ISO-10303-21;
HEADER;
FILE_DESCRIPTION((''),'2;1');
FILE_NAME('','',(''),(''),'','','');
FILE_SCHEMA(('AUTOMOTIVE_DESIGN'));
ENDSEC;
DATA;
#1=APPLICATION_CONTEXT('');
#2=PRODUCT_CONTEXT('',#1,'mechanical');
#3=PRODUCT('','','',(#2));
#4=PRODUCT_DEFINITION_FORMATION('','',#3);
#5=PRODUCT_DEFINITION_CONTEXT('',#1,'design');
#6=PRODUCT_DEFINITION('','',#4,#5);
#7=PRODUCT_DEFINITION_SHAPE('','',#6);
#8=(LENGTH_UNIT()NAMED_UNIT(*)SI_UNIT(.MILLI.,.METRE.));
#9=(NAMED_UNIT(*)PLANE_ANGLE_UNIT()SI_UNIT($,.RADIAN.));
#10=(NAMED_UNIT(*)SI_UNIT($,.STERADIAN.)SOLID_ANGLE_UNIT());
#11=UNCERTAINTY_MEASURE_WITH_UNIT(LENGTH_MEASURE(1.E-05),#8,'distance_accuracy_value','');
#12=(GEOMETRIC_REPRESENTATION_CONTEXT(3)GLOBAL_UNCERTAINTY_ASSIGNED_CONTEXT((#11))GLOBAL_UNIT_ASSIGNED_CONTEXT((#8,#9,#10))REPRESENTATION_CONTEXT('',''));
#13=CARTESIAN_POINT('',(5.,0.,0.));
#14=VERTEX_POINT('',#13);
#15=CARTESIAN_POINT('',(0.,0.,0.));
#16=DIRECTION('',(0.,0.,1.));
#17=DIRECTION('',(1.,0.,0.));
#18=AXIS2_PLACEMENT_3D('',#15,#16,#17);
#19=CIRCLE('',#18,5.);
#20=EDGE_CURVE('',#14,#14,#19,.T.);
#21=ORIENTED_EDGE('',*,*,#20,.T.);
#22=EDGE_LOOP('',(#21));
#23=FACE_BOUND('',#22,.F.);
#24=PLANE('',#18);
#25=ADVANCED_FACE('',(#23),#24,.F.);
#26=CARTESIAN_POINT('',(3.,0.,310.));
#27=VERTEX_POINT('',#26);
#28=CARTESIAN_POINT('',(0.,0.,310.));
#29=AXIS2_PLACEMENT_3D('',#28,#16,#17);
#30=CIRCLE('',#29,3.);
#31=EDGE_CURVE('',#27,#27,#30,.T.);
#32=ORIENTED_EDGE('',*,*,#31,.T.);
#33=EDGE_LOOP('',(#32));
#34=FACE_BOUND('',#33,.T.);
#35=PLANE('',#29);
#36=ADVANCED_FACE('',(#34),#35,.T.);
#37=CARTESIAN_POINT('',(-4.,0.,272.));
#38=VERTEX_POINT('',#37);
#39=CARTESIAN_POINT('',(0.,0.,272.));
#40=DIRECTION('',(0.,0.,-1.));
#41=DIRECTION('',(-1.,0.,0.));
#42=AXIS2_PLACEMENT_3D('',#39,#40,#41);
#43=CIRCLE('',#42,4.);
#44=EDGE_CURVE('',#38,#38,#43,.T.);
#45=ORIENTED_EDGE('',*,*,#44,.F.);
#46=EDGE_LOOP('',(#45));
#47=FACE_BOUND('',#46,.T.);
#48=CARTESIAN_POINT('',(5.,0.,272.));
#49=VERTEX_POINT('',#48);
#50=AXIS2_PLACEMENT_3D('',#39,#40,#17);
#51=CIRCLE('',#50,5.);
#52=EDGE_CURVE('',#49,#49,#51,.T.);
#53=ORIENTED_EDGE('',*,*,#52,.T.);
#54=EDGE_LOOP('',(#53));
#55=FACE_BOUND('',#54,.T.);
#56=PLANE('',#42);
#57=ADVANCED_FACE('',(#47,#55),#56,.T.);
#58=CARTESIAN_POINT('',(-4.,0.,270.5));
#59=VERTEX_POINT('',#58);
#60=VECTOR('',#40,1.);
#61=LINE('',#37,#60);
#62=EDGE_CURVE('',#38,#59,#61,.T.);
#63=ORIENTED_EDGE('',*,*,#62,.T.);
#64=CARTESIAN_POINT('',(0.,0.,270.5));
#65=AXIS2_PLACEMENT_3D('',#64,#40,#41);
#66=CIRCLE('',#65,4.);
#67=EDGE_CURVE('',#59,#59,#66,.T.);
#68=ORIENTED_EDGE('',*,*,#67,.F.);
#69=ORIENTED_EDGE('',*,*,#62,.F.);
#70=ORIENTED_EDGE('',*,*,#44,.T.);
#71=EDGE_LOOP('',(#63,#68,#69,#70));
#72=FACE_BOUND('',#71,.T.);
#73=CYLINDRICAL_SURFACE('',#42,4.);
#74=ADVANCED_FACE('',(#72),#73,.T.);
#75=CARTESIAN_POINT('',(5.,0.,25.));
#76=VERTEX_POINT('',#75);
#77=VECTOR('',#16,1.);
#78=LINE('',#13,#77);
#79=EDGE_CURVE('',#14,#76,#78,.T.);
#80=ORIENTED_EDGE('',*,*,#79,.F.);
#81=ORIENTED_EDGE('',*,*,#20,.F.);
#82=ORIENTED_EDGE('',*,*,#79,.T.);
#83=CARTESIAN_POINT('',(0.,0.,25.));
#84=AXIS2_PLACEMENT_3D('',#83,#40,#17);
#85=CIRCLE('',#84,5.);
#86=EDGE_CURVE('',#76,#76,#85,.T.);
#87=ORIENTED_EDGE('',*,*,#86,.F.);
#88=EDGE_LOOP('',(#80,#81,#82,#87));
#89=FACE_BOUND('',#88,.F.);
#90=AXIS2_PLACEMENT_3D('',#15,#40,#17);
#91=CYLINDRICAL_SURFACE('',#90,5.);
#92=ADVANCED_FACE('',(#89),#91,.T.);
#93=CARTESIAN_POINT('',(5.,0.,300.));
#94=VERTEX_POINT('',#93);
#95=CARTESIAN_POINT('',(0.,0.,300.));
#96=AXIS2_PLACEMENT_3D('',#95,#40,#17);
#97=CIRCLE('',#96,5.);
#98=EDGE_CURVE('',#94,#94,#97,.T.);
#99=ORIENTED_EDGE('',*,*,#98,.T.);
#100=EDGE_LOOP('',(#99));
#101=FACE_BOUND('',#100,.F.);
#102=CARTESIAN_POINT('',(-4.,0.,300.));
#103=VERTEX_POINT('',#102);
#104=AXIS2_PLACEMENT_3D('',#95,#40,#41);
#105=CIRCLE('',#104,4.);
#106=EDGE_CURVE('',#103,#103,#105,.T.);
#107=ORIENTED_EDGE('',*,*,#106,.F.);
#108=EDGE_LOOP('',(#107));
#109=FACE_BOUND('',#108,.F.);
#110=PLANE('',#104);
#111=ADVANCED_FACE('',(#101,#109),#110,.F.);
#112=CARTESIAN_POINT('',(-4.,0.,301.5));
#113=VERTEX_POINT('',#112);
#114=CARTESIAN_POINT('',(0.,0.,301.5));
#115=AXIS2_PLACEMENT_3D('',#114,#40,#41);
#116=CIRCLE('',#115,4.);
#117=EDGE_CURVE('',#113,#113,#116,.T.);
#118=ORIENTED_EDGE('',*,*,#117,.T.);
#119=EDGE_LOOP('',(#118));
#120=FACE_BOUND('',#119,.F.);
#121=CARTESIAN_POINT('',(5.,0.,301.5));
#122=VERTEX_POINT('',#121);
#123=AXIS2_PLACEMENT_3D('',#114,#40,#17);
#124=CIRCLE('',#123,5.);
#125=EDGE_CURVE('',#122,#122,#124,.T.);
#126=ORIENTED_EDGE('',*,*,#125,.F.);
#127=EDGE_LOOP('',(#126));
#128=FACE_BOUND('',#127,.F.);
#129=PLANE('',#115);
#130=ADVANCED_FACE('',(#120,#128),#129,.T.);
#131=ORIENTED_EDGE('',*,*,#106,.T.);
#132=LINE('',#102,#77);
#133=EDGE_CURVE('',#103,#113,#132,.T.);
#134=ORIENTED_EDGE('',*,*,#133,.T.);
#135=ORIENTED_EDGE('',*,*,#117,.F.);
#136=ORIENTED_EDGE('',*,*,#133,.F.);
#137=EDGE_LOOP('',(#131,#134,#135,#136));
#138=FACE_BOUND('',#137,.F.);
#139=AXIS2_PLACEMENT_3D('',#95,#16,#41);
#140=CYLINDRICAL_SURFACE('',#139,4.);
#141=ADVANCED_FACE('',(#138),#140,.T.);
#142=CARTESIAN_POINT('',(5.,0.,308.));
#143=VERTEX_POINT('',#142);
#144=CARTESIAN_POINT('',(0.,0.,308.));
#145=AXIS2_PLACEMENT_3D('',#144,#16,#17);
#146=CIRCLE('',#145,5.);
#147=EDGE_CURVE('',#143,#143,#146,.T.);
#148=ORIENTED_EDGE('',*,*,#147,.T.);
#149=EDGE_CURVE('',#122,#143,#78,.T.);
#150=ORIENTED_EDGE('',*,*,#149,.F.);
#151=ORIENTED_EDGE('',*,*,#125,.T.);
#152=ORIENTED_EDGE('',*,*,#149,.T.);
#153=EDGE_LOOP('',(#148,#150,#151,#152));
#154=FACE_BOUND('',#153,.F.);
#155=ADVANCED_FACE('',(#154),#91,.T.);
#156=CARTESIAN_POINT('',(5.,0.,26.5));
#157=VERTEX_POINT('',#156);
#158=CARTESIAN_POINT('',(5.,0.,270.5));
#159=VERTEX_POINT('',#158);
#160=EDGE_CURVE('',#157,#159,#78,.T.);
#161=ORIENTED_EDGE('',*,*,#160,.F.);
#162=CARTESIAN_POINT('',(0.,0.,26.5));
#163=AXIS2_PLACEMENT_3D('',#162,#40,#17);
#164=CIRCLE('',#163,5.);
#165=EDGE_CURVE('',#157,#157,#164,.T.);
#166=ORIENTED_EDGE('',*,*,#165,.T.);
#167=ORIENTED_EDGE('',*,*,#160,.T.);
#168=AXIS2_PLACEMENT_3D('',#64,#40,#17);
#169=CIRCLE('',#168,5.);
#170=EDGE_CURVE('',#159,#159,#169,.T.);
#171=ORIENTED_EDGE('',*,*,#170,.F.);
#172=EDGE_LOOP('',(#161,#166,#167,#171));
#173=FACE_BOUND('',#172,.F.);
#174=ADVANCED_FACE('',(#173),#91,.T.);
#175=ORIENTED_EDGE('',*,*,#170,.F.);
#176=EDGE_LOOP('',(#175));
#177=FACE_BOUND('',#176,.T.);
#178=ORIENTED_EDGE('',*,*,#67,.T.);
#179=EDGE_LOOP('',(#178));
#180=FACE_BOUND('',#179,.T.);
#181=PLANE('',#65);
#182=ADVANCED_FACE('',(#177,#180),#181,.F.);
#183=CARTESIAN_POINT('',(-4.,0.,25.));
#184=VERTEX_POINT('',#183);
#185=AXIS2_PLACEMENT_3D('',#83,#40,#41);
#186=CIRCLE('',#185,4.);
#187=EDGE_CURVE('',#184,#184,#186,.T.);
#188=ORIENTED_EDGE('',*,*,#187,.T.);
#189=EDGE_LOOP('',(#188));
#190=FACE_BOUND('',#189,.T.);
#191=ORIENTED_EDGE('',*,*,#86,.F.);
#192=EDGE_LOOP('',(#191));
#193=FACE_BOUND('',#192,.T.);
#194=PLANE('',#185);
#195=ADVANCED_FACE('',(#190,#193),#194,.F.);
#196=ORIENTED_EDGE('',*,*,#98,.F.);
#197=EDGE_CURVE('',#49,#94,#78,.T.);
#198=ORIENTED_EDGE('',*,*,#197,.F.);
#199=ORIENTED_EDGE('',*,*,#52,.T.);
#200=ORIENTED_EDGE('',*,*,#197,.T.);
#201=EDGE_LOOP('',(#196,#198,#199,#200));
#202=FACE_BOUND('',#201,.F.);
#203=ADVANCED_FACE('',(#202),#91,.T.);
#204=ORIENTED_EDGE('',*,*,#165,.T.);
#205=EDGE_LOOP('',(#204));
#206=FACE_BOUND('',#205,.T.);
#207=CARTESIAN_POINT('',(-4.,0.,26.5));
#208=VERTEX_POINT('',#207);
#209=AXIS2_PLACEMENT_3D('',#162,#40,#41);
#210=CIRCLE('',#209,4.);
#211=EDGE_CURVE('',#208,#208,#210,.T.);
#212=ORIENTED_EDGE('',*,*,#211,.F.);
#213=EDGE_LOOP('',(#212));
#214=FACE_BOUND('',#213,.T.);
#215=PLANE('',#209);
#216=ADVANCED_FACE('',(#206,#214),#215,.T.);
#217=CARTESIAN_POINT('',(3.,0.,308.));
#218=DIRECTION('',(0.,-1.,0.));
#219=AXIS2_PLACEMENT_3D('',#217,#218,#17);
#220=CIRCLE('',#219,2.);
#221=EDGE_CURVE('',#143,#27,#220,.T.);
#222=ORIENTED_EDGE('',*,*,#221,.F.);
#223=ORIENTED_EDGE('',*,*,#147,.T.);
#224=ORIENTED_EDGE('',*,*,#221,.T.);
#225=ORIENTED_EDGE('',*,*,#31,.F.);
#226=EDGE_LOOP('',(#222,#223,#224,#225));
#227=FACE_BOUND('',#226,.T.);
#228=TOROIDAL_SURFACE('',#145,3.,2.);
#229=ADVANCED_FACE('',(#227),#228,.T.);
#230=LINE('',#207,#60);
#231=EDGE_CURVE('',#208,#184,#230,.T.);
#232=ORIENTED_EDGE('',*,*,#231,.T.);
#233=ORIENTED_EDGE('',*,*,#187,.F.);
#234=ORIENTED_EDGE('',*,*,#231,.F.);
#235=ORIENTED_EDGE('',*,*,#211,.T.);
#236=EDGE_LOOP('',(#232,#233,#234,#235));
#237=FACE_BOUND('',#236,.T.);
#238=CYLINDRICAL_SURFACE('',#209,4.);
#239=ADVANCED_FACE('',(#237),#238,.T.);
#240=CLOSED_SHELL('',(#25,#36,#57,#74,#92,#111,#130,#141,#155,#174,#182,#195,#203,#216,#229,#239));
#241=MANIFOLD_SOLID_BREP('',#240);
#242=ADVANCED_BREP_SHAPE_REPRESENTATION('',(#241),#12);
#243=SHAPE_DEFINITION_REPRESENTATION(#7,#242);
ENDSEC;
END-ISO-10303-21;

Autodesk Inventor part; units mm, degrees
ref_plane "YZ Plane" through (0, 0, 0) normal (1, 0, 0) x (0, 1, 0)
ref_plane "XZ Plane" through (0, 0, 0) normal (0, 1, 0) x (-1, 0, 0)
ref_plane "XY Plane" through (0, 0, 0) normal (0, 0, 1) x (1, 0, 0)
sketch "Boceto1" plane through (0, 0, 0) normal (0, 0, 1) x (1, 0, 0)
  circle A0 centre (0, 0) radius 5
  dimension "d0" = 5
extrude "Extrusión1" add sketch "Boceto1" along normal blind 310
thread "Rosca1" size "M10x1.5" class "6g" standard "ANSI Metric M Profile" length 20
fillet "Empalme1" radius 2 1 edges at (-5, 0, 310)
sketch "Boceto2" plane through (0, 0, 0) normal (0, 1, 0) x (-1, 0, 0)
  line L0 (-3, 310) -> (3, 310) construction
  line L1 (0, 310) -> (0, 0) construction
  line L2 (-5, 0) -> (-5, 308) construction
  line L3 (5, 0) -> (5, 308) projected
  line L4 (5, 300) -> (4, 300)
  line L5 (4, 300) -> (4, 301.5)
  line L6 (4, 301.5) -> (5, 301.5)
  line L7 (5, 301.5) -> (5, 300)
  line L8 (5, 0) -> (5, 308) projected
  line L9 (5, 26.5) -> (4, 26.5)
  line L10 (4, 26.5) -> (4, 25)
  line L11 (4, 25) -> (5, 25)
  line L12 (5, 25) -> (5, 26.5)
  line L13 (-5, 0) -> (5, 0) projected
  line L14 (5, 272) -> (4, 272)
  line L15 (4, 272) -> (4, 270.5)
  line L16 (4, 270.5) -> (5, 270.5)
  line L17 (5, 270.5) -> (5, 272)
  dimension "d6" = 1.5
  dimension "d7" = 1
  dimension "d9" = 10
  dimension "d11" = 25
  dimension "d12" = 1.5
  dimension "d13" = 1
  dimension "d14" = 1.5
  dimension "d15" = 1
  dimension "d16" = 39.5
revolve "Revolución1" cut sketch "Boceto2" angle 360 about axis through (0, 0, 310) along (0, 0, -1)
properties part number "vailla enroscada" material "Acetal Resin, Black"
